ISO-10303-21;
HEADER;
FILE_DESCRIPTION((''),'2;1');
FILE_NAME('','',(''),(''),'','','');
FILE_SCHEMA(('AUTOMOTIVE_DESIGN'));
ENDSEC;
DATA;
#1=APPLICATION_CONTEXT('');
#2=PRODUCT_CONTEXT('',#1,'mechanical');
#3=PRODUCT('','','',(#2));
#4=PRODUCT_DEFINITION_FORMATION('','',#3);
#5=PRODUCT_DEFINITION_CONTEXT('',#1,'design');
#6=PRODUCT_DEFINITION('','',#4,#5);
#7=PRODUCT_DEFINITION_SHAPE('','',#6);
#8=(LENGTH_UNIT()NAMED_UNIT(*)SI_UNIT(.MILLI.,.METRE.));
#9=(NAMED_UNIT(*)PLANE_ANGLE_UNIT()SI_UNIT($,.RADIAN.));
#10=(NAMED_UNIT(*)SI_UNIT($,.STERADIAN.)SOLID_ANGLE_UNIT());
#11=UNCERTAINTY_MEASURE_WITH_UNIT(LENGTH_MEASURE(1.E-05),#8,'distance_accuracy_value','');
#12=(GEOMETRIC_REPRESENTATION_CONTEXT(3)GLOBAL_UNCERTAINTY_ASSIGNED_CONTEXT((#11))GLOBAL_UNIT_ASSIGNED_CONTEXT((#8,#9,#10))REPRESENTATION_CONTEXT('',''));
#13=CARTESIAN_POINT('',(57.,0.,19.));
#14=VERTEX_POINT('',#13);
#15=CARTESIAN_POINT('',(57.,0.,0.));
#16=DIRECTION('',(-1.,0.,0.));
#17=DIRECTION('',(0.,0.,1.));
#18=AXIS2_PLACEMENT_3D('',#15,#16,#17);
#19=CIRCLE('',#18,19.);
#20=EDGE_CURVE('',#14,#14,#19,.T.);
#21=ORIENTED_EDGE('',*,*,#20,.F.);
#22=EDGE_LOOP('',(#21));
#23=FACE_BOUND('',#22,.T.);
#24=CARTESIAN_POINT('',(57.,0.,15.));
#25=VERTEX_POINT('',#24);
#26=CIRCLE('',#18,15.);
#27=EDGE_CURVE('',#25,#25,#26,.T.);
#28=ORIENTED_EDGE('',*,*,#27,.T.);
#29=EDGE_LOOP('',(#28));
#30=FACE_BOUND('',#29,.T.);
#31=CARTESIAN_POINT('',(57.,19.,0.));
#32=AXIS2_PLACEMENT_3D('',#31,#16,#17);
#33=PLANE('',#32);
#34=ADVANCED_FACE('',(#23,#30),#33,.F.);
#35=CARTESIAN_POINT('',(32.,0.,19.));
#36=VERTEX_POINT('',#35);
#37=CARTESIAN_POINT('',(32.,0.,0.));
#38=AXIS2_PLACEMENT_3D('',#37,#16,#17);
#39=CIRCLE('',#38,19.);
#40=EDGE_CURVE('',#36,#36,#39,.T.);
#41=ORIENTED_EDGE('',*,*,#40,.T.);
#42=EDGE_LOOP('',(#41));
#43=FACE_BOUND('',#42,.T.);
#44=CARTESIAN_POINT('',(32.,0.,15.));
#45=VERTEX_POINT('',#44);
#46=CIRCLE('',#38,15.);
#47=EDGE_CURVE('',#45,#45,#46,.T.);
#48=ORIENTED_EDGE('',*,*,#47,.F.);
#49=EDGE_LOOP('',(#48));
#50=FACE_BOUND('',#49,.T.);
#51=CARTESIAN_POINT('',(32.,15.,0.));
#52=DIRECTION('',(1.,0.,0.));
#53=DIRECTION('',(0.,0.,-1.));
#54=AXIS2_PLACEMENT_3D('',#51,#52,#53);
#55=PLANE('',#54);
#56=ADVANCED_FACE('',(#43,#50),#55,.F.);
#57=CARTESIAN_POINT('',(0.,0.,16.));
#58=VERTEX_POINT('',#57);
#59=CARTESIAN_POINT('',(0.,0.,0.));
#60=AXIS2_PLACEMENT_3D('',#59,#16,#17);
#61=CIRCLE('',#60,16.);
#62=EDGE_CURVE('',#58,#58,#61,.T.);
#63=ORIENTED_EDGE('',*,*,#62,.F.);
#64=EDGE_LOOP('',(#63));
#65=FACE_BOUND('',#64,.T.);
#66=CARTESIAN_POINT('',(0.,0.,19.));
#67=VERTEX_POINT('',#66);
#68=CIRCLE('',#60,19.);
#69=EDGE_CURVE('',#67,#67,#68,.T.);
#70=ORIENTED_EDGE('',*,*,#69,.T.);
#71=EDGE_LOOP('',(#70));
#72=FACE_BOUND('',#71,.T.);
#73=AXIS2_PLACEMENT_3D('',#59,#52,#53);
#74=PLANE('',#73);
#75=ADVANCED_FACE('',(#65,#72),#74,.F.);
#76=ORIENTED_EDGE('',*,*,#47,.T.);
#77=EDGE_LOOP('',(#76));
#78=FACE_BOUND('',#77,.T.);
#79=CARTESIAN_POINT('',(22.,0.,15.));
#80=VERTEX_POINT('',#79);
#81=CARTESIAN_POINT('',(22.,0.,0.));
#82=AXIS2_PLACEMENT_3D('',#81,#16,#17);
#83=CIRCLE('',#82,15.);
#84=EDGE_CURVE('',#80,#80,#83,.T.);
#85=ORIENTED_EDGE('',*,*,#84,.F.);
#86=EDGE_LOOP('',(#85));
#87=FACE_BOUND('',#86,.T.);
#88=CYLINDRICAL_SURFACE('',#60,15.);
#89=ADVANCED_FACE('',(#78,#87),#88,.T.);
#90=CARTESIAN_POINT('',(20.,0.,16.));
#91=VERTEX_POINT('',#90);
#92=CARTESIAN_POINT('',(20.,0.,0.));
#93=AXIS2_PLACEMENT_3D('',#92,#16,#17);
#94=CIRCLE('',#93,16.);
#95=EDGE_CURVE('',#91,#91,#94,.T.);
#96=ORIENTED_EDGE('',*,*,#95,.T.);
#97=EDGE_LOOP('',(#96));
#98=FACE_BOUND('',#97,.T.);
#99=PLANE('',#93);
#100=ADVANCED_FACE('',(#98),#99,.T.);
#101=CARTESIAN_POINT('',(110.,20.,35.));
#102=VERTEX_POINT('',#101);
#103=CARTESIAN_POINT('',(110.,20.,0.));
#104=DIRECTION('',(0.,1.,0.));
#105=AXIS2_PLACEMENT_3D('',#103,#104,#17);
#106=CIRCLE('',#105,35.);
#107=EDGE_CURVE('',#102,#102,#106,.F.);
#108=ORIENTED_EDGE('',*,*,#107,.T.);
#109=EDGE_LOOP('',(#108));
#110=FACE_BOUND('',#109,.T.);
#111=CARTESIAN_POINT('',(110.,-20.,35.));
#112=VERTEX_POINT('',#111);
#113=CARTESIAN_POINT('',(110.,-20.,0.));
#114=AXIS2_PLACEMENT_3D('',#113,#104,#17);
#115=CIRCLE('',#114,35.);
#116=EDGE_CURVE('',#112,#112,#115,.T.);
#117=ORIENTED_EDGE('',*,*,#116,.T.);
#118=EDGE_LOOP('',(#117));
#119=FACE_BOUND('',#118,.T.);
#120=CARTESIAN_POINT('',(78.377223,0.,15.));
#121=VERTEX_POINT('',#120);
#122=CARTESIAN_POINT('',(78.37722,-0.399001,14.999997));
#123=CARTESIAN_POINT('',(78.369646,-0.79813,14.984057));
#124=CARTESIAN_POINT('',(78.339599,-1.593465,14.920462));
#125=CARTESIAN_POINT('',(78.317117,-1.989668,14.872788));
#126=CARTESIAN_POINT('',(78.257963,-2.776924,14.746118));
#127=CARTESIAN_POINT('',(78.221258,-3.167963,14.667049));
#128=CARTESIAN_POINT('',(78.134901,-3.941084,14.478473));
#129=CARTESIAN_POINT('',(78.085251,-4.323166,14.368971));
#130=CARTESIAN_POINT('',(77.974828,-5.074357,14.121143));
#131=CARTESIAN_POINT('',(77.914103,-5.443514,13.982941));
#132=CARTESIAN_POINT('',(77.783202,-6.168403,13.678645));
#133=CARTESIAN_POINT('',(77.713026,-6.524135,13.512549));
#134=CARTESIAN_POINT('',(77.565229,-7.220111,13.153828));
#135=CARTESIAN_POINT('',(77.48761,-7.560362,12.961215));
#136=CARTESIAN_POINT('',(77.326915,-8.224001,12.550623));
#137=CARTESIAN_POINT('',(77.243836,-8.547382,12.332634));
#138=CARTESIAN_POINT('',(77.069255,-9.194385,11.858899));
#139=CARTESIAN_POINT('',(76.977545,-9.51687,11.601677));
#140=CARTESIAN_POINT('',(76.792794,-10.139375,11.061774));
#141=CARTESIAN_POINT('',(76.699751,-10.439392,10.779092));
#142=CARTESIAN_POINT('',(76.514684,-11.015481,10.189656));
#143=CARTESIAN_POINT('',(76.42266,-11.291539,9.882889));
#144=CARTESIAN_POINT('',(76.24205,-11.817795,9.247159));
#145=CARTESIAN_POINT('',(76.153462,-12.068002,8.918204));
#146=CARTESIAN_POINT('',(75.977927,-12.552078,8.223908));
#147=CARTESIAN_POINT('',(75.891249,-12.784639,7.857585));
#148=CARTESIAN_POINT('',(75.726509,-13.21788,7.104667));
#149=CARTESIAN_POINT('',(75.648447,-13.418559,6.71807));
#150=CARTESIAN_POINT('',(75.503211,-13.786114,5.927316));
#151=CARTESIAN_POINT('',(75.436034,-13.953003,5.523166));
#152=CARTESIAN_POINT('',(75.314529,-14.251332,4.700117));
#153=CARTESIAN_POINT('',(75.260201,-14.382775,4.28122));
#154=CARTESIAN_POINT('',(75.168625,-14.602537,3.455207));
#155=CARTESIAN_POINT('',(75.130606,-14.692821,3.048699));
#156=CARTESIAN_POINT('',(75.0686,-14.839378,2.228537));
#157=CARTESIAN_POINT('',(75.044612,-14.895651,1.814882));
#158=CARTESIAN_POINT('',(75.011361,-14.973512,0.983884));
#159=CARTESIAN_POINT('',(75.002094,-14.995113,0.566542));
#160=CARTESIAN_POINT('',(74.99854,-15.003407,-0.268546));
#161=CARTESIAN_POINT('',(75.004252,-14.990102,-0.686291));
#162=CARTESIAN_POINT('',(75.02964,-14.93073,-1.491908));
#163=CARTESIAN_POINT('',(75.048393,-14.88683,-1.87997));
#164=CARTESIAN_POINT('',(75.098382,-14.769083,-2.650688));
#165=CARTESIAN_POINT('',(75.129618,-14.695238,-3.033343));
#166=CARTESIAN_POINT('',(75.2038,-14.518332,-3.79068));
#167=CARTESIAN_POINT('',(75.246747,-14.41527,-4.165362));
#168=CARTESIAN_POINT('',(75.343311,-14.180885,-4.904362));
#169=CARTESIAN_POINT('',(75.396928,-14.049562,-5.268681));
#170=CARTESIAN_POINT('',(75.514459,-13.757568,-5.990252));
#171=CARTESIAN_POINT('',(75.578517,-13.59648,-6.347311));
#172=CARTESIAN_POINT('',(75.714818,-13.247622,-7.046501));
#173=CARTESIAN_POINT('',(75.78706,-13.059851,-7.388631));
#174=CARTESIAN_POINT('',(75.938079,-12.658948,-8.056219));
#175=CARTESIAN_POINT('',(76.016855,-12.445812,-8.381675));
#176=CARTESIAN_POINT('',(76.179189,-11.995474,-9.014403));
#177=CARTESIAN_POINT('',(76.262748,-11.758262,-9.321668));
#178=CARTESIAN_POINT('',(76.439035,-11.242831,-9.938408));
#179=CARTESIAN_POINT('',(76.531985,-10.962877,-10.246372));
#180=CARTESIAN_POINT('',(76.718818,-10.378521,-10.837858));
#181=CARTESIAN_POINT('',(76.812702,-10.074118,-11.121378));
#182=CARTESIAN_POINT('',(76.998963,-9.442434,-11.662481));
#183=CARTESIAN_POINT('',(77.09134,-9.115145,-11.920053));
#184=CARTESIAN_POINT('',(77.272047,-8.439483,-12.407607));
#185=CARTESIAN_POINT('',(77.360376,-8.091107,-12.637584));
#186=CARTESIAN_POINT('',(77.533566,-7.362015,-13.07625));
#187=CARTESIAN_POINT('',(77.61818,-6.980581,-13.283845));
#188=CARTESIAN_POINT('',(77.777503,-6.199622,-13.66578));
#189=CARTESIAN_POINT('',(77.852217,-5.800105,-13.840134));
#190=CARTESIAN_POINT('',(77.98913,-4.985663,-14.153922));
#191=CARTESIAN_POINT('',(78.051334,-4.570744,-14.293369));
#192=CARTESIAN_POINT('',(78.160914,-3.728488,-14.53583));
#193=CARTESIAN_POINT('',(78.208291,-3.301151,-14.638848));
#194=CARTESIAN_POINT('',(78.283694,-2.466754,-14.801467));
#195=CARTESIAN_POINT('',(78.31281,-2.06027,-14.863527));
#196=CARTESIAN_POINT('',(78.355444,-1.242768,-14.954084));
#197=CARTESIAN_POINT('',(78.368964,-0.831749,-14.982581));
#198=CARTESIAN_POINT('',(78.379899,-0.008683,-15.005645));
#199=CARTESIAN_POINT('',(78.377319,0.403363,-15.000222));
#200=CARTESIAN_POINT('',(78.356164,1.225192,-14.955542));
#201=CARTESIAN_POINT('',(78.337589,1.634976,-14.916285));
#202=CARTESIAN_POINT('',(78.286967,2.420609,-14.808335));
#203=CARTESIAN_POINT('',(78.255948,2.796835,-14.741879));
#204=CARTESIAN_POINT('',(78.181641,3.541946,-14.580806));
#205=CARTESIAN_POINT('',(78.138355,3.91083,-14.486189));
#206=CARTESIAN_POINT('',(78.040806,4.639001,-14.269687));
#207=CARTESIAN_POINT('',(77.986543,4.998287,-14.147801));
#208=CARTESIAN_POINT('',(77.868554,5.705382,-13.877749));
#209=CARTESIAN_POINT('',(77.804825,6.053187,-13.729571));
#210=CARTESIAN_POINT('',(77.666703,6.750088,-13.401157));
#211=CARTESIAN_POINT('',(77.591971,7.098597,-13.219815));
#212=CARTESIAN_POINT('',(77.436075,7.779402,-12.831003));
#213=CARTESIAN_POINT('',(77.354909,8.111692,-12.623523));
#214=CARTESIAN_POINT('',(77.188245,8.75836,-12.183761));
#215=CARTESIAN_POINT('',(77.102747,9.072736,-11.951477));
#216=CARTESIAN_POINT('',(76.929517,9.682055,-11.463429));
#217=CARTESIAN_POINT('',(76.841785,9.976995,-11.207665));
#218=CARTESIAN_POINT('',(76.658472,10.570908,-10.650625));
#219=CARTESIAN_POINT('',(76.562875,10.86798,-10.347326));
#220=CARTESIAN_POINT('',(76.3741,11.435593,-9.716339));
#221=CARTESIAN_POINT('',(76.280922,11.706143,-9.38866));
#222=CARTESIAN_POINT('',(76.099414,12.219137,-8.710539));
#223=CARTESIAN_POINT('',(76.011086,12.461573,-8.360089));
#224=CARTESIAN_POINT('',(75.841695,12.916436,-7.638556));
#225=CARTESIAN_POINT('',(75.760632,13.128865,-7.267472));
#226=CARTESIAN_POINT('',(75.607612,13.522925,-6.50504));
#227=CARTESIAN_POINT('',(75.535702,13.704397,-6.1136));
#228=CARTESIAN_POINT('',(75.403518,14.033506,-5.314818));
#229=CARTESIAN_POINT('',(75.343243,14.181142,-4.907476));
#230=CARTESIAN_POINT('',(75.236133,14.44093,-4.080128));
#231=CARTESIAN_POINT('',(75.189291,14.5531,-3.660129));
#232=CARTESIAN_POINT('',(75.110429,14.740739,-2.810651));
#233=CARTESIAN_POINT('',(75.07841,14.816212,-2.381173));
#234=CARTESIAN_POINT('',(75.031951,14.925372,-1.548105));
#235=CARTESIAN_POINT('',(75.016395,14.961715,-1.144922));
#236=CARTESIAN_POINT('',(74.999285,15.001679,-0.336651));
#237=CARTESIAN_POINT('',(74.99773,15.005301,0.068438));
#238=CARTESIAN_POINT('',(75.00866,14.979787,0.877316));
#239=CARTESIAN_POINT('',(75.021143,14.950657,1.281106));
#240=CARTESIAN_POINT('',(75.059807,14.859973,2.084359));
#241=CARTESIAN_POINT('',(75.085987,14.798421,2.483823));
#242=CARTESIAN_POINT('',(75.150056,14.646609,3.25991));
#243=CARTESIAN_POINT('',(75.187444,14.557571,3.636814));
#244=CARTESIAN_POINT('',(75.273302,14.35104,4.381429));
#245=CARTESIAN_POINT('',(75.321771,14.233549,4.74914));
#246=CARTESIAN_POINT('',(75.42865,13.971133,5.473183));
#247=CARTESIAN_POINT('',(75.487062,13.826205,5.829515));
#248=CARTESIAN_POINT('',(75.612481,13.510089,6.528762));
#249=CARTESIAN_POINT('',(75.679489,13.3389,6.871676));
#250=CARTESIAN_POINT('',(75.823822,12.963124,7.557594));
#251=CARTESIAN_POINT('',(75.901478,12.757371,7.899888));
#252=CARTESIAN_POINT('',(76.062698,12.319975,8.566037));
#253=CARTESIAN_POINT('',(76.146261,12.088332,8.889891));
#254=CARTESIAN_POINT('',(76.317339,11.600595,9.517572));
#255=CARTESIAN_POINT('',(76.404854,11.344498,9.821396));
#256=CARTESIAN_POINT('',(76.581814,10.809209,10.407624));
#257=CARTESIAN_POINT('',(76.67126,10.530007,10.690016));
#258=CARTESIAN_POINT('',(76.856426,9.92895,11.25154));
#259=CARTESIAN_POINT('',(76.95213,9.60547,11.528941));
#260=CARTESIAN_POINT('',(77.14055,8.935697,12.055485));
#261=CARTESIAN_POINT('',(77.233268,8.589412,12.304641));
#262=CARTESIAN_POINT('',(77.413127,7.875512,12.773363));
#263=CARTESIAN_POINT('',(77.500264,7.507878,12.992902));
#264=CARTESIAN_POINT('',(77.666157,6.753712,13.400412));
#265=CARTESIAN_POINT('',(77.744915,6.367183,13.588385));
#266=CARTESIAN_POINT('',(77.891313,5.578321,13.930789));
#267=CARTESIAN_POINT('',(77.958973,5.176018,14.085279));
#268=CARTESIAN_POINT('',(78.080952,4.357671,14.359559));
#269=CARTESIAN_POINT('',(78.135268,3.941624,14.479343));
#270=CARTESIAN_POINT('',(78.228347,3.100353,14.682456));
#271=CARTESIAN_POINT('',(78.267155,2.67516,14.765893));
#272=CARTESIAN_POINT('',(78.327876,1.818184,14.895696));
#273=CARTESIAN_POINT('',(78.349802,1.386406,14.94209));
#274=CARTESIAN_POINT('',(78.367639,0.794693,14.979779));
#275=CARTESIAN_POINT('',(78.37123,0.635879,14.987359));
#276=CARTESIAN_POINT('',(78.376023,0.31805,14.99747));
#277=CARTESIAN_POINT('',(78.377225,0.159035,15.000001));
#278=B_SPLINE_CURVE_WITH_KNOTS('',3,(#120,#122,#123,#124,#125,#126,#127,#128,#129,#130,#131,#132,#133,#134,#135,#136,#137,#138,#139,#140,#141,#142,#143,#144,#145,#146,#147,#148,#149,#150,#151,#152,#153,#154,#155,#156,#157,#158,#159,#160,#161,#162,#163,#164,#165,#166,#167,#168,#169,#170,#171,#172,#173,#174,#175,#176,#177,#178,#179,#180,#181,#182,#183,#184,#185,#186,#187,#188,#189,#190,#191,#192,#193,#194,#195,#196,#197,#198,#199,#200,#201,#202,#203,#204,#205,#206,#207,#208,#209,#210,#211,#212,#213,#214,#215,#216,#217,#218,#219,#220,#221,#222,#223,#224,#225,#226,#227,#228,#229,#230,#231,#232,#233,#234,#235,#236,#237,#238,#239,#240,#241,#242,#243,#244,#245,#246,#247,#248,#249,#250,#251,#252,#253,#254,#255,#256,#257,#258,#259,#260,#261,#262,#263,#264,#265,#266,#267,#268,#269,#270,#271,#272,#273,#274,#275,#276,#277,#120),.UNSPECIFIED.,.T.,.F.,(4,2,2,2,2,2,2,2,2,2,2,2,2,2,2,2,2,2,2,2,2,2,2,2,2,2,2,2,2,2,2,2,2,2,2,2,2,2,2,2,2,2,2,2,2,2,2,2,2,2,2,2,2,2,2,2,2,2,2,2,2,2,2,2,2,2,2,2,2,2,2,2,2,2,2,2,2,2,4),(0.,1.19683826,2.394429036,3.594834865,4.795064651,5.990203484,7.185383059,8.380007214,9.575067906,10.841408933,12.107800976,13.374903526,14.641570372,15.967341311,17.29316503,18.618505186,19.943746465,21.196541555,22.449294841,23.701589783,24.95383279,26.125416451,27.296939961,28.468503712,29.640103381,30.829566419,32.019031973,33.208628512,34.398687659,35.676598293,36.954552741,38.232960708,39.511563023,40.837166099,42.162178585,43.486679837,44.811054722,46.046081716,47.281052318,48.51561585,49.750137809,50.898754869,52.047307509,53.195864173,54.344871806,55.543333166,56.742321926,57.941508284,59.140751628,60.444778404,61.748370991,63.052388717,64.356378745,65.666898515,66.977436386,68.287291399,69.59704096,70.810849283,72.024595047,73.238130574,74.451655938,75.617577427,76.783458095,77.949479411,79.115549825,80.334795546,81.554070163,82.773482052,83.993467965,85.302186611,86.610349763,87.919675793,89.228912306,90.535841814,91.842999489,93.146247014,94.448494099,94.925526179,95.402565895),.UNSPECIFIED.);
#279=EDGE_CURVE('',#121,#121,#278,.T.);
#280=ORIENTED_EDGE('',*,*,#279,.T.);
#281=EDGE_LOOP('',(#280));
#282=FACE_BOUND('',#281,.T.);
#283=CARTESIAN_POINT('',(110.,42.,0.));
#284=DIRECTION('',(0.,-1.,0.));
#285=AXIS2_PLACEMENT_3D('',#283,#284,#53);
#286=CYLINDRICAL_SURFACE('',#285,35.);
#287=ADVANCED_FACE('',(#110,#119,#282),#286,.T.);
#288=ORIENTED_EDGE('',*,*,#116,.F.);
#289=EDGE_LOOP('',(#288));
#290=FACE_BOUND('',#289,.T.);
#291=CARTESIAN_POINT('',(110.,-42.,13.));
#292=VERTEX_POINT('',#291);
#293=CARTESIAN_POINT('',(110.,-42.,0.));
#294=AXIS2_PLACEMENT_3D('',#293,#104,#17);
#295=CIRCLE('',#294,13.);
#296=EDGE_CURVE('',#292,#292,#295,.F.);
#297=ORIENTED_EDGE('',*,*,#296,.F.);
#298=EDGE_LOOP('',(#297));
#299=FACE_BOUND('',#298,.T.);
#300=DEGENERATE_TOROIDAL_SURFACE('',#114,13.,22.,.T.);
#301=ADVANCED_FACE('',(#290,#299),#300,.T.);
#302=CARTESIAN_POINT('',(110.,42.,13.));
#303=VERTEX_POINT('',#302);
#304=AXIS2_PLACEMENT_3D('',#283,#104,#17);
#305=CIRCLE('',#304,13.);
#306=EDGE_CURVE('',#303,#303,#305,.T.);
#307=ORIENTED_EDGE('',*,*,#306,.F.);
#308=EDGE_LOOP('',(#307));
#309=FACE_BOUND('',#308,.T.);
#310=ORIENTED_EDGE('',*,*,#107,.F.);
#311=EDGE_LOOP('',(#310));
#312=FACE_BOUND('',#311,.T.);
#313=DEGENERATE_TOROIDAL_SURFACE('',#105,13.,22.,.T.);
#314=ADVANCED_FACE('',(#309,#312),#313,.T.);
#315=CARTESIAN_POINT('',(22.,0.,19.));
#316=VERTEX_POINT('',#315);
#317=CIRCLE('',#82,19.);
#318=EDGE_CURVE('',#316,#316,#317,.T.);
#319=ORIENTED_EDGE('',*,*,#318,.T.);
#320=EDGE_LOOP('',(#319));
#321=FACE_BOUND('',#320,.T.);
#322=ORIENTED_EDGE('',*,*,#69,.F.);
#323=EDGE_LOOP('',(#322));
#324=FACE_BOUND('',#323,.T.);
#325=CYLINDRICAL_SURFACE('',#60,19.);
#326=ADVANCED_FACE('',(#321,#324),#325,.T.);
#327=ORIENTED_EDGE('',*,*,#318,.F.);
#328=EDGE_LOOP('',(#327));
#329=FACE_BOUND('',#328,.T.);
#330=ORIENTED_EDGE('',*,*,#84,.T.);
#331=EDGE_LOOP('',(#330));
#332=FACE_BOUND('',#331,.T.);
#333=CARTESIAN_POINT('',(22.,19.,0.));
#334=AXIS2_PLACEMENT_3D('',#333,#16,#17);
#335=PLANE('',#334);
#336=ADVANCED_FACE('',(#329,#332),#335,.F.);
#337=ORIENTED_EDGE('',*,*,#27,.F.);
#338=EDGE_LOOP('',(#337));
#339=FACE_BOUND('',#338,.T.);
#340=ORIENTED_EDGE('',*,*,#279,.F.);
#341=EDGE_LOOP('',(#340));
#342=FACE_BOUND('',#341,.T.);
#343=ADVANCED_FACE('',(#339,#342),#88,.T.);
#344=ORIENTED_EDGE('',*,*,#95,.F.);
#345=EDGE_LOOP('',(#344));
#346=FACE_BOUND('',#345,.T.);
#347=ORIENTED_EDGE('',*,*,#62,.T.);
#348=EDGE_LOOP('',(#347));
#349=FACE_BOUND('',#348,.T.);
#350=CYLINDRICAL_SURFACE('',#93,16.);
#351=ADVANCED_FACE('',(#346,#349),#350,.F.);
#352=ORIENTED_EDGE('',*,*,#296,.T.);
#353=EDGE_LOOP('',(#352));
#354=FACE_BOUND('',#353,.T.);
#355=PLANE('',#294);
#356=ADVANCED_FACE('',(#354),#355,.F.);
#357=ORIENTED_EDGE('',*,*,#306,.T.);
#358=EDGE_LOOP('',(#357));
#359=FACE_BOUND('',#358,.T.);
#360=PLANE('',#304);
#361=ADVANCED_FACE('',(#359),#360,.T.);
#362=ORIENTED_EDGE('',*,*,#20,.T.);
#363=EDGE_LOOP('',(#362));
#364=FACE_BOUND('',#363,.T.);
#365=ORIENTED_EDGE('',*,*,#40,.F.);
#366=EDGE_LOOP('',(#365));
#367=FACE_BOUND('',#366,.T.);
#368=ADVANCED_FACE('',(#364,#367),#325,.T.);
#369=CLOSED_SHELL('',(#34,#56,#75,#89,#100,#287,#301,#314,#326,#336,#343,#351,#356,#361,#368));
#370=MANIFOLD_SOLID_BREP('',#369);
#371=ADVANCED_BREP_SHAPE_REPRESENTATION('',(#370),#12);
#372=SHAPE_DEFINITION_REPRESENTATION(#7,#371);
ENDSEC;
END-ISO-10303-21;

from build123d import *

# Parameters (mm, degrees)
SKETCH_2_R          = 35
EXTRUDE_1_DEPTH     = 42
FILLET_2_R          = 22
SKETCH_3_R          = 16
CUT_EXTRUDE_1_DEPTH = 20


with BuildPart() as part:
    # 草图1 → 旋转1 (revolve)
    with BuildSketch(Plane.XY, mode=Mode.PRIVATE) as revolve_1_sk:
        Polygon((0, 0), (0, 19), (22, 19), (22, 15), (32, 15), (32, 19), (57, 19), (57, 15), (112, 15), (112, 0), align=None)
    revolve(revolve_1_sk.sketch.rotate(Axis((0, 0, 0), (1, 0, 0)), 90), axis=Axis((0, 0, 0), (1, 0, 0)))

    # 草图2 → 凸台-拉伸1 (add, symmetric)
    with BuildSketch(Plane(origin=(0, 0, 0), x_dir=(1, 0, 0), z_dir=(0, 1, 0))):
        with Locations(Location((110, 0, 0), (0, 0, 270))):
            Circle(SKETCH_2_R)
    extrude(amount=EXTRUDE_1_DEPTH, both=True)

    # 圆角2
    fillet_2_edges = [part.edges().sort_by_distance(p)[0] for p in [
        (110, -42, -35),
        (110, 42, -35),
    ]]
    fillet(fillet_2_edges, radius=FILLET_2_R)

    # 草图3 → 切除-拉伸1 (cut)
    with BuildSketch(Plane.ZY):
        Circle(SKETCH_3_R)
    extrude(amount=-CUT_EXTRUDE_1_DEPTH, mode=Mode.SUBTRACT)


solid = part.part
